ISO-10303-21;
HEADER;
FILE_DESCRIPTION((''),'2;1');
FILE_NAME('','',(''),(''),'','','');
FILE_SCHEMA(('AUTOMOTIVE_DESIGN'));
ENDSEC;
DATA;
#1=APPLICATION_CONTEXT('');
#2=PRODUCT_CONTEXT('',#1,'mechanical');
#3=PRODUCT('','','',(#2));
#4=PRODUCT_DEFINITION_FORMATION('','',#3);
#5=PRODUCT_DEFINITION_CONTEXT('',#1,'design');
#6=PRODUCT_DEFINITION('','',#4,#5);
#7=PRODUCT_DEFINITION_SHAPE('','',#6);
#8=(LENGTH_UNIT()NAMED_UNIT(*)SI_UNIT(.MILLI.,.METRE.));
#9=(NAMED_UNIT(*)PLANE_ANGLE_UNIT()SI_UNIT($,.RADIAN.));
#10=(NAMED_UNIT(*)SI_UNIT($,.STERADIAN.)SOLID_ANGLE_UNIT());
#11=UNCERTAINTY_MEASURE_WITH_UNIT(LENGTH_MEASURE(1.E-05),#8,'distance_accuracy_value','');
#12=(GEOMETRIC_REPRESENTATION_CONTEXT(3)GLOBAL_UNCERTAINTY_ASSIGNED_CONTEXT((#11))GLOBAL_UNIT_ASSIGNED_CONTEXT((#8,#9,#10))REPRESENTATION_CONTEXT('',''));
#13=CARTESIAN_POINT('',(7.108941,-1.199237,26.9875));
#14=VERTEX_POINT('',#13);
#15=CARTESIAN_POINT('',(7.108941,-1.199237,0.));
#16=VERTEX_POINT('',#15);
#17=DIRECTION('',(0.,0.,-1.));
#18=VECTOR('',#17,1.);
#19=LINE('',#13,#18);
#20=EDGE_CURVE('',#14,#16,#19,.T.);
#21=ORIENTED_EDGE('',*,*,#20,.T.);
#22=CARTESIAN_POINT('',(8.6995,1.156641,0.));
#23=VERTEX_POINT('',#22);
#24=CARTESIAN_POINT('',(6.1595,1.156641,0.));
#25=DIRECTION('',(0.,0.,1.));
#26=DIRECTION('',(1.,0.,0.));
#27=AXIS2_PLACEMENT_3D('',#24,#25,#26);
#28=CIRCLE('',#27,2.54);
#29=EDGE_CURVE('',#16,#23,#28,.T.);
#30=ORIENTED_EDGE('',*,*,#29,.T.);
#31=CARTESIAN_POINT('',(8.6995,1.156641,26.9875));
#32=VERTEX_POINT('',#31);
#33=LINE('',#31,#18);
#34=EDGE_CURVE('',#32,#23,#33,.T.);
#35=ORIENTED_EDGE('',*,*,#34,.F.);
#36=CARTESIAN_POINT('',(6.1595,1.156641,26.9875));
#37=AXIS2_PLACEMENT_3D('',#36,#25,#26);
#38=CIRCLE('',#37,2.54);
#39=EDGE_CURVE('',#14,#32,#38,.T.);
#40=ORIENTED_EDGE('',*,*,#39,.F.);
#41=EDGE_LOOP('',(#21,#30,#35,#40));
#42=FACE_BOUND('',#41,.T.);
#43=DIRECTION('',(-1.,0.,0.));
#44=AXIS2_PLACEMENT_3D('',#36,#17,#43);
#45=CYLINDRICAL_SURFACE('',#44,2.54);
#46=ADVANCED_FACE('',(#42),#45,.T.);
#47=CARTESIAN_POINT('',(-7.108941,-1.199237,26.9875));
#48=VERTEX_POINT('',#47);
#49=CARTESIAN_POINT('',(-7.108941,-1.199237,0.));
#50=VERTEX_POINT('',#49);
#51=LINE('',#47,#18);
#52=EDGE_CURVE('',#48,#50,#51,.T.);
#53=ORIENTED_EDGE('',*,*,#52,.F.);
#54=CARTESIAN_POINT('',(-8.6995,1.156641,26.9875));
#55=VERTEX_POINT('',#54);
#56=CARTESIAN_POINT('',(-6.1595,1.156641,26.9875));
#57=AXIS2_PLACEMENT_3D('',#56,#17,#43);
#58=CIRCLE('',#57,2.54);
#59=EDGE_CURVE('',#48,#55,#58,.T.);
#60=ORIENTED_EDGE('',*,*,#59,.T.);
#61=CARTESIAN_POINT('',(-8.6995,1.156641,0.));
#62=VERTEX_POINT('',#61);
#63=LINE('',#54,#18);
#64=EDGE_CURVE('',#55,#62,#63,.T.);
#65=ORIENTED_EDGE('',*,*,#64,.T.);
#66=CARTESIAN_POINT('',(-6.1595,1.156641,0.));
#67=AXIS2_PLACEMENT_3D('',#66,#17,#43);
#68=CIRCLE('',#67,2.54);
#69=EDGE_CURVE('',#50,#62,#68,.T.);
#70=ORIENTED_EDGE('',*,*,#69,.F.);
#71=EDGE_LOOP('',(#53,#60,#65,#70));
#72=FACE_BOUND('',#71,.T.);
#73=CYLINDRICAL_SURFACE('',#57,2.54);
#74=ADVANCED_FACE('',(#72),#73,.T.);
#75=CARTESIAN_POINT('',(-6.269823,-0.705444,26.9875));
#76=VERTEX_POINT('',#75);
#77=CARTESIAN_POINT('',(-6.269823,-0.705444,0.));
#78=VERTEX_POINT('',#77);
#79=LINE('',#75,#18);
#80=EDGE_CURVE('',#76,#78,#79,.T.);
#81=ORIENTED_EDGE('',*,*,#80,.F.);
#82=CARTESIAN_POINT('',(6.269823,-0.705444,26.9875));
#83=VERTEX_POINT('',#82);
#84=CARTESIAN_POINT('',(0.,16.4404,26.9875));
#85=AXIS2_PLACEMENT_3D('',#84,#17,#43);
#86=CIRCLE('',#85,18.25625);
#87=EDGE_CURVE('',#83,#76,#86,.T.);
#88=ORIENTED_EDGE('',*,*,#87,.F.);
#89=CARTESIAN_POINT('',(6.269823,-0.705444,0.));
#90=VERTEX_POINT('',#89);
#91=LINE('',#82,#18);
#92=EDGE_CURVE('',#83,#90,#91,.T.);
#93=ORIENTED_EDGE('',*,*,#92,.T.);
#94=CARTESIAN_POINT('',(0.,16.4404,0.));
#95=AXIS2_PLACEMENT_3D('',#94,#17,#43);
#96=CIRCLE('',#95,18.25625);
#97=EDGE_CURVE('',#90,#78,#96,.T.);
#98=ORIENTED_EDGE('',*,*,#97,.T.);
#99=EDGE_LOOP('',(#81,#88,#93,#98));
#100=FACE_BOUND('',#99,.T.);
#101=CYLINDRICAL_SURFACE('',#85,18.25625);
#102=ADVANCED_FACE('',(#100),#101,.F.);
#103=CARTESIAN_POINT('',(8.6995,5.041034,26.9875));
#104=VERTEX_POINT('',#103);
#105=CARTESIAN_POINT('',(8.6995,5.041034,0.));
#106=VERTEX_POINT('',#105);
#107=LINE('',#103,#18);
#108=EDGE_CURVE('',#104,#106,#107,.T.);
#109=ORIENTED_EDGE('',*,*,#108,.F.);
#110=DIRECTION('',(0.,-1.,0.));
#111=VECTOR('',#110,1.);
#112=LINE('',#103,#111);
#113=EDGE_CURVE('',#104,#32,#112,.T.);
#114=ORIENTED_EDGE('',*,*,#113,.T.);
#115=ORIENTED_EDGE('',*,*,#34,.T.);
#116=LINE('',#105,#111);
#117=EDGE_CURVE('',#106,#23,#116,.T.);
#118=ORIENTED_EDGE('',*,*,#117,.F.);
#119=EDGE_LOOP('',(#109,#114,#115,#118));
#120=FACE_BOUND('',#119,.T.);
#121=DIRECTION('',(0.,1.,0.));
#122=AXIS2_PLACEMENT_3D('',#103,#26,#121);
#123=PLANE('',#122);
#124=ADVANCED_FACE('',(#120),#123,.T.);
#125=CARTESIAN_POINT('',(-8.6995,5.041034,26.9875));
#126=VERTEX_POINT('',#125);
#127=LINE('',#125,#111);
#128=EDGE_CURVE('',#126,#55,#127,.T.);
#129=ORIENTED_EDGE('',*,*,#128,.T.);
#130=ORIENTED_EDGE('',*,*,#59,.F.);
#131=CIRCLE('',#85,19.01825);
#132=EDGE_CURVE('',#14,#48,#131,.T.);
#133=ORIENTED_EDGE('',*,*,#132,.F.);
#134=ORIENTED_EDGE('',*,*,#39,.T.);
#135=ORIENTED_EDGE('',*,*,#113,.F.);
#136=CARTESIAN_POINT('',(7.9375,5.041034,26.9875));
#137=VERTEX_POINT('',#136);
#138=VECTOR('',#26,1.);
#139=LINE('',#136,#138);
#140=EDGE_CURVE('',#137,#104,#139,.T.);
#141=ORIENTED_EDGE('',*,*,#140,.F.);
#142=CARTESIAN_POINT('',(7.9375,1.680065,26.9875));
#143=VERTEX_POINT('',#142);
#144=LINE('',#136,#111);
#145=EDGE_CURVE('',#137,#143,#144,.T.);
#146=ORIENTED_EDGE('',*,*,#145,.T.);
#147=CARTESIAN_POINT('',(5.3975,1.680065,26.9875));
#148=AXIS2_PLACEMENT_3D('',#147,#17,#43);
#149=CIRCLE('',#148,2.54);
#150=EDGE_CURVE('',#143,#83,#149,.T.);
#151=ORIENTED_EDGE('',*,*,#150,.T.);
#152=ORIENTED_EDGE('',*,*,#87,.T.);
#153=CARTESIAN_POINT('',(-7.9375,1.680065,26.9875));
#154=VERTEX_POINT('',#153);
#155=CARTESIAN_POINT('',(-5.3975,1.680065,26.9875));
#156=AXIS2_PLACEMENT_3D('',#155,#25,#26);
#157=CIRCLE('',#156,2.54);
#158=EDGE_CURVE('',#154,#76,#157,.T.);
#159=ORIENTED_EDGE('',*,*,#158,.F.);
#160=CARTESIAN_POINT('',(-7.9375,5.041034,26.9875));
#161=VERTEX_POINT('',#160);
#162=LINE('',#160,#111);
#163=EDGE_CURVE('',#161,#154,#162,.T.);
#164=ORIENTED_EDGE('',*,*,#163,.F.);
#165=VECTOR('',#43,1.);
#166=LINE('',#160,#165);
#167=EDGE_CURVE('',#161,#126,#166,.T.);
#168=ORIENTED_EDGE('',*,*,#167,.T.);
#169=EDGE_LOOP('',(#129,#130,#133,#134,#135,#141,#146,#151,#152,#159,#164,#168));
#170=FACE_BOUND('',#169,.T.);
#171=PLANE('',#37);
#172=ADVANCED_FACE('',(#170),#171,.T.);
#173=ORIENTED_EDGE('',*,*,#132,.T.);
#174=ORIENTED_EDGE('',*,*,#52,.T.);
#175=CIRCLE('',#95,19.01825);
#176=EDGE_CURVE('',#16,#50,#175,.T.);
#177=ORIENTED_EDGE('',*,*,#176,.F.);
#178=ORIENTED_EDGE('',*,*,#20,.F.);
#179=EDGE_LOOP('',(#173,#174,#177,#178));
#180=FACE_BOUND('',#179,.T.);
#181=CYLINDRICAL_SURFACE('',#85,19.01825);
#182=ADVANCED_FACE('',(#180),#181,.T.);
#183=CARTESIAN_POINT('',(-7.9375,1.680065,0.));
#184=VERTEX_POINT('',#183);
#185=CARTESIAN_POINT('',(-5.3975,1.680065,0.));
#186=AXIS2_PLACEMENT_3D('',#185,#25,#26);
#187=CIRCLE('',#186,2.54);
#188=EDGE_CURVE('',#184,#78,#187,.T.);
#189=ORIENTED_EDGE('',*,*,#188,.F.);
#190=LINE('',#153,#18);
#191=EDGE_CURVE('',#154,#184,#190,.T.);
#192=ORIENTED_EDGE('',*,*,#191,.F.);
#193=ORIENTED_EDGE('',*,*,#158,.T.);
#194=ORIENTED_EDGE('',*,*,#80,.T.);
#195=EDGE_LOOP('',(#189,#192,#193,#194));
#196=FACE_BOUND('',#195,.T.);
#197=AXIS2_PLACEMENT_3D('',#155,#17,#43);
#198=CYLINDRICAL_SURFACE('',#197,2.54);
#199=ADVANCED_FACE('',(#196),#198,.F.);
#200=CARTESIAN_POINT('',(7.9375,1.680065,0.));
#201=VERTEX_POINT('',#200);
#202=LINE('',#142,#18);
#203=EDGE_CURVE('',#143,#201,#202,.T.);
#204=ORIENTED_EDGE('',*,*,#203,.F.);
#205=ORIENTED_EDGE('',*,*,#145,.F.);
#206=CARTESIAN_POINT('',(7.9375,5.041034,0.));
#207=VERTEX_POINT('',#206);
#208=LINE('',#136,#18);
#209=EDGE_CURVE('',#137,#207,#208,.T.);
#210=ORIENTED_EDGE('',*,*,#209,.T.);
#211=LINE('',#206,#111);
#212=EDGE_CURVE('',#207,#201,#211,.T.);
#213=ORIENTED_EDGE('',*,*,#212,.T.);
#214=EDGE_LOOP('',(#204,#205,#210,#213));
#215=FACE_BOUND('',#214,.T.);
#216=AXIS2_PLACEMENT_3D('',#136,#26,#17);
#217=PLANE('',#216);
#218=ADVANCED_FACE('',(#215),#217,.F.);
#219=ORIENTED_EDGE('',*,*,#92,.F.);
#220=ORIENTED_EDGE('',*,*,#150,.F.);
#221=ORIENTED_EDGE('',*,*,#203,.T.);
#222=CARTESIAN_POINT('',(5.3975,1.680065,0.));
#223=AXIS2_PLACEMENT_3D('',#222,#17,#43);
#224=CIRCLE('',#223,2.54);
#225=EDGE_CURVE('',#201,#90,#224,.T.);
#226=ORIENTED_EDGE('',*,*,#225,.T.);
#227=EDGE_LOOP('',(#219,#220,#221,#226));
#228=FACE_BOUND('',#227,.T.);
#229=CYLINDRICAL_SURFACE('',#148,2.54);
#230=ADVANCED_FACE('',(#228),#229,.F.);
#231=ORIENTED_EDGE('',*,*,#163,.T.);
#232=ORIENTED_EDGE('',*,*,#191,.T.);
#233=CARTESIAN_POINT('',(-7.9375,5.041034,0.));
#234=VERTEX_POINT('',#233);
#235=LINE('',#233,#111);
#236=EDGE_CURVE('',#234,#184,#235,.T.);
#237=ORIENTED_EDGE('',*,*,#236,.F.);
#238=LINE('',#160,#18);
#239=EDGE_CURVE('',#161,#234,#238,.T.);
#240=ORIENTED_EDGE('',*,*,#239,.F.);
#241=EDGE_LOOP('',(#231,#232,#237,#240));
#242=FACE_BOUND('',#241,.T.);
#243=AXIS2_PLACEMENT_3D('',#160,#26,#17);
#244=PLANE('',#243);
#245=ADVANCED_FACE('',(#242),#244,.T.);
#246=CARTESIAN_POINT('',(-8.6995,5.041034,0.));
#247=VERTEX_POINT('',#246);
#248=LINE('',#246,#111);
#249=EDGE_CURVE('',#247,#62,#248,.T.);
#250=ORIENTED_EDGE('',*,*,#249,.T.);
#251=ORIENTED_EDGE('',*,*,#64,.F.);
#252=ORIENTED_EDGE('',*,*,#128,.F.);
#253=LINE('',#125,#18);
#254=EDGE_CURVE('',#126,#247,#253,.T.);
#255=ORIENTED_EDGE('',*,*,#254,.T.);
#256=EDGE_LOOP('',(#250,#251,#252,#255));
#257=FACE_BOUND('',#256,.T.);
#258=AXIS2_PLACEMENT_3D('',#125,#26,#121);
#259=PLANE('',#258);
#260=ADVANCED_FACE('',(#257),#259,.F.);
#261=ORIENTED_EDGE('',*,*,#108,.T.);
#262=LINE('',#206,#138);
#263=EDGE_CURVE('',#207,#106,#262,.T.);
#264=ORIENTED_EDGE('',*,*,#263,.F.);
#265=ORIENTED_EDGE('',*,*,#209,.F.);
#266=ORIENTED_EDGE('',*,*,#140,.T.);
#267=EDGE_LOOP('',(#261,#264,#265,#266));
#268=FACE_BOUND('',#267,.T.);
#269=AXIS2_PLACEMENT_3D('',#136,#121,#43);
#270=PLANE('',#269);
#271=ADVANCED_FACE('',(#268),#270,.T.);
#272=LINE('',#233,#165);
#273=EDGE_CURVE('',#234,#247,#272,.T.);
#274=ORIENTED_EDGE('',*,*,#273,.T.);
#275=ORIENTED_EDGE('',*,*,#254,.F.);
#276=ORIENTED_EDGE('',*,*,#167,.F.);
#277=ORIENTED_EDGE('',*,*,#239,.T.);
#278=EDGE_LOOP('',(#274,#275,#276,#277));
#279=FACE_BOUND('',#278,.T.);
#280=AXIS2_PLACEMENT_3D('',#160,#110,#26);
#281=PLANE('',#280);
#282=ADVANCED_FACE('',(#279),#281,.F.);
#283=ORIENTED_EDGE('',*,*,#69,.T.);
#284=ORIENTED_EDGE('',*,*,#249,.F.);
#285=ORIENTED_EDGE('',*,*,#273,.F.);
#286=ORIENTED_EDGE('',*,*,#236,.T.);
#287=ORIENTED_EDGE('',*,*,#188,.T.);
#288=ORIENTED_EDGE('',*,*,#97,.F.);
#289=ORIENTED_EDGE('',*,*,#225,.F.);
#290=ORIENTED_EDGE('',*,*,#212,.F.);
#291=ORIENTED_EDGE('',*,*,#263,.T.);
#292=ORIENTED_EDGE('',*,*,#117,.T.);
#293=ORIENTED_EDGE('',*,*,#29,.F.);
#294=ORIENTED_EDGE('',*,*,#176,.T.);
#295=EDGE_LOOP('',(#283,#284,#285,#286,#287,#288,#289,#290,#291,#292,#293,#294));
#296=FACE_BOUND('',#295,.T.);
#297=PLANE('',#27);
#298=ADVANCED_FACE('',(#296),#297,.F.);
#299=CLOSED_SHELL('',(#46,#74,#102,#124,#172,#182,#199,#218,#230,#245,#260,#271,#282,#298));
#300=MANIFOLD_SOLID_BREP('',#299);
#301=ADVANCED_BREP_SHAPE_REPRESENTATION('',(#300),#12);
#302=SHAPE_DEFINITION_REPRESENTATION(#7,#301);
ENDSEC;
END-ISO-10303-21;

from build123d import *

# Parameters (mm, degrees)
BOSS_EXTRUDE1_DEPTH = 26.9875


with BuildPart() as part:
    # Sketch3 → Boss-Extrude1 (new body)
    with BuildSketch(Plane.XY):
        with BuildLine():
            Line((7.9375, 5.04103367), (7.9375, 1.680064545))
            ThreePointArc((7.9375, 1.680064545), (7.47924218, 0.224746884), (6.269823232, -0.705444243))
            ThreePointArc((6.269823232, -0.705444243), (0, -1.815849828), (-6.269823232, -0.705444243))
            ThreePointArc((-6.269823232, -0.705444243), (-7.47924218, 0.224746884), (-7.9375, 1.680064545))
            Line((-7.9375, 1.680064545), (-7.9375, 5.04103367))
            Line((-7.9375, 5.04103367), (-8.6995, 5.04103367))
            Line((-8.6995, 5.04103367), (-8.6995, 1.15664138))
            ThreePointArc((-8.6995, 1.15664138), (-8.264634287, -0.26462905), (-7.108941233, -1.199236661))
            ThreePointArc((-7.108941233, -1.199236661), (0, -2.577849828), (7.108941233, -1.199236661))
            ThreePointArc((7.108941233, -1.199236661), (8.264634287, -0.26462905), (8.6995, 1.15664138))
            Line((8.6995, 1.15664138), (8.6995, 5.04103367))
            Line((8.6995, 5.04103367), (7.9375, 5.04103367))
        make_face()
    extrude(amount=BOSS_EXTRUDE1_DEPTH)


solid = part.part
